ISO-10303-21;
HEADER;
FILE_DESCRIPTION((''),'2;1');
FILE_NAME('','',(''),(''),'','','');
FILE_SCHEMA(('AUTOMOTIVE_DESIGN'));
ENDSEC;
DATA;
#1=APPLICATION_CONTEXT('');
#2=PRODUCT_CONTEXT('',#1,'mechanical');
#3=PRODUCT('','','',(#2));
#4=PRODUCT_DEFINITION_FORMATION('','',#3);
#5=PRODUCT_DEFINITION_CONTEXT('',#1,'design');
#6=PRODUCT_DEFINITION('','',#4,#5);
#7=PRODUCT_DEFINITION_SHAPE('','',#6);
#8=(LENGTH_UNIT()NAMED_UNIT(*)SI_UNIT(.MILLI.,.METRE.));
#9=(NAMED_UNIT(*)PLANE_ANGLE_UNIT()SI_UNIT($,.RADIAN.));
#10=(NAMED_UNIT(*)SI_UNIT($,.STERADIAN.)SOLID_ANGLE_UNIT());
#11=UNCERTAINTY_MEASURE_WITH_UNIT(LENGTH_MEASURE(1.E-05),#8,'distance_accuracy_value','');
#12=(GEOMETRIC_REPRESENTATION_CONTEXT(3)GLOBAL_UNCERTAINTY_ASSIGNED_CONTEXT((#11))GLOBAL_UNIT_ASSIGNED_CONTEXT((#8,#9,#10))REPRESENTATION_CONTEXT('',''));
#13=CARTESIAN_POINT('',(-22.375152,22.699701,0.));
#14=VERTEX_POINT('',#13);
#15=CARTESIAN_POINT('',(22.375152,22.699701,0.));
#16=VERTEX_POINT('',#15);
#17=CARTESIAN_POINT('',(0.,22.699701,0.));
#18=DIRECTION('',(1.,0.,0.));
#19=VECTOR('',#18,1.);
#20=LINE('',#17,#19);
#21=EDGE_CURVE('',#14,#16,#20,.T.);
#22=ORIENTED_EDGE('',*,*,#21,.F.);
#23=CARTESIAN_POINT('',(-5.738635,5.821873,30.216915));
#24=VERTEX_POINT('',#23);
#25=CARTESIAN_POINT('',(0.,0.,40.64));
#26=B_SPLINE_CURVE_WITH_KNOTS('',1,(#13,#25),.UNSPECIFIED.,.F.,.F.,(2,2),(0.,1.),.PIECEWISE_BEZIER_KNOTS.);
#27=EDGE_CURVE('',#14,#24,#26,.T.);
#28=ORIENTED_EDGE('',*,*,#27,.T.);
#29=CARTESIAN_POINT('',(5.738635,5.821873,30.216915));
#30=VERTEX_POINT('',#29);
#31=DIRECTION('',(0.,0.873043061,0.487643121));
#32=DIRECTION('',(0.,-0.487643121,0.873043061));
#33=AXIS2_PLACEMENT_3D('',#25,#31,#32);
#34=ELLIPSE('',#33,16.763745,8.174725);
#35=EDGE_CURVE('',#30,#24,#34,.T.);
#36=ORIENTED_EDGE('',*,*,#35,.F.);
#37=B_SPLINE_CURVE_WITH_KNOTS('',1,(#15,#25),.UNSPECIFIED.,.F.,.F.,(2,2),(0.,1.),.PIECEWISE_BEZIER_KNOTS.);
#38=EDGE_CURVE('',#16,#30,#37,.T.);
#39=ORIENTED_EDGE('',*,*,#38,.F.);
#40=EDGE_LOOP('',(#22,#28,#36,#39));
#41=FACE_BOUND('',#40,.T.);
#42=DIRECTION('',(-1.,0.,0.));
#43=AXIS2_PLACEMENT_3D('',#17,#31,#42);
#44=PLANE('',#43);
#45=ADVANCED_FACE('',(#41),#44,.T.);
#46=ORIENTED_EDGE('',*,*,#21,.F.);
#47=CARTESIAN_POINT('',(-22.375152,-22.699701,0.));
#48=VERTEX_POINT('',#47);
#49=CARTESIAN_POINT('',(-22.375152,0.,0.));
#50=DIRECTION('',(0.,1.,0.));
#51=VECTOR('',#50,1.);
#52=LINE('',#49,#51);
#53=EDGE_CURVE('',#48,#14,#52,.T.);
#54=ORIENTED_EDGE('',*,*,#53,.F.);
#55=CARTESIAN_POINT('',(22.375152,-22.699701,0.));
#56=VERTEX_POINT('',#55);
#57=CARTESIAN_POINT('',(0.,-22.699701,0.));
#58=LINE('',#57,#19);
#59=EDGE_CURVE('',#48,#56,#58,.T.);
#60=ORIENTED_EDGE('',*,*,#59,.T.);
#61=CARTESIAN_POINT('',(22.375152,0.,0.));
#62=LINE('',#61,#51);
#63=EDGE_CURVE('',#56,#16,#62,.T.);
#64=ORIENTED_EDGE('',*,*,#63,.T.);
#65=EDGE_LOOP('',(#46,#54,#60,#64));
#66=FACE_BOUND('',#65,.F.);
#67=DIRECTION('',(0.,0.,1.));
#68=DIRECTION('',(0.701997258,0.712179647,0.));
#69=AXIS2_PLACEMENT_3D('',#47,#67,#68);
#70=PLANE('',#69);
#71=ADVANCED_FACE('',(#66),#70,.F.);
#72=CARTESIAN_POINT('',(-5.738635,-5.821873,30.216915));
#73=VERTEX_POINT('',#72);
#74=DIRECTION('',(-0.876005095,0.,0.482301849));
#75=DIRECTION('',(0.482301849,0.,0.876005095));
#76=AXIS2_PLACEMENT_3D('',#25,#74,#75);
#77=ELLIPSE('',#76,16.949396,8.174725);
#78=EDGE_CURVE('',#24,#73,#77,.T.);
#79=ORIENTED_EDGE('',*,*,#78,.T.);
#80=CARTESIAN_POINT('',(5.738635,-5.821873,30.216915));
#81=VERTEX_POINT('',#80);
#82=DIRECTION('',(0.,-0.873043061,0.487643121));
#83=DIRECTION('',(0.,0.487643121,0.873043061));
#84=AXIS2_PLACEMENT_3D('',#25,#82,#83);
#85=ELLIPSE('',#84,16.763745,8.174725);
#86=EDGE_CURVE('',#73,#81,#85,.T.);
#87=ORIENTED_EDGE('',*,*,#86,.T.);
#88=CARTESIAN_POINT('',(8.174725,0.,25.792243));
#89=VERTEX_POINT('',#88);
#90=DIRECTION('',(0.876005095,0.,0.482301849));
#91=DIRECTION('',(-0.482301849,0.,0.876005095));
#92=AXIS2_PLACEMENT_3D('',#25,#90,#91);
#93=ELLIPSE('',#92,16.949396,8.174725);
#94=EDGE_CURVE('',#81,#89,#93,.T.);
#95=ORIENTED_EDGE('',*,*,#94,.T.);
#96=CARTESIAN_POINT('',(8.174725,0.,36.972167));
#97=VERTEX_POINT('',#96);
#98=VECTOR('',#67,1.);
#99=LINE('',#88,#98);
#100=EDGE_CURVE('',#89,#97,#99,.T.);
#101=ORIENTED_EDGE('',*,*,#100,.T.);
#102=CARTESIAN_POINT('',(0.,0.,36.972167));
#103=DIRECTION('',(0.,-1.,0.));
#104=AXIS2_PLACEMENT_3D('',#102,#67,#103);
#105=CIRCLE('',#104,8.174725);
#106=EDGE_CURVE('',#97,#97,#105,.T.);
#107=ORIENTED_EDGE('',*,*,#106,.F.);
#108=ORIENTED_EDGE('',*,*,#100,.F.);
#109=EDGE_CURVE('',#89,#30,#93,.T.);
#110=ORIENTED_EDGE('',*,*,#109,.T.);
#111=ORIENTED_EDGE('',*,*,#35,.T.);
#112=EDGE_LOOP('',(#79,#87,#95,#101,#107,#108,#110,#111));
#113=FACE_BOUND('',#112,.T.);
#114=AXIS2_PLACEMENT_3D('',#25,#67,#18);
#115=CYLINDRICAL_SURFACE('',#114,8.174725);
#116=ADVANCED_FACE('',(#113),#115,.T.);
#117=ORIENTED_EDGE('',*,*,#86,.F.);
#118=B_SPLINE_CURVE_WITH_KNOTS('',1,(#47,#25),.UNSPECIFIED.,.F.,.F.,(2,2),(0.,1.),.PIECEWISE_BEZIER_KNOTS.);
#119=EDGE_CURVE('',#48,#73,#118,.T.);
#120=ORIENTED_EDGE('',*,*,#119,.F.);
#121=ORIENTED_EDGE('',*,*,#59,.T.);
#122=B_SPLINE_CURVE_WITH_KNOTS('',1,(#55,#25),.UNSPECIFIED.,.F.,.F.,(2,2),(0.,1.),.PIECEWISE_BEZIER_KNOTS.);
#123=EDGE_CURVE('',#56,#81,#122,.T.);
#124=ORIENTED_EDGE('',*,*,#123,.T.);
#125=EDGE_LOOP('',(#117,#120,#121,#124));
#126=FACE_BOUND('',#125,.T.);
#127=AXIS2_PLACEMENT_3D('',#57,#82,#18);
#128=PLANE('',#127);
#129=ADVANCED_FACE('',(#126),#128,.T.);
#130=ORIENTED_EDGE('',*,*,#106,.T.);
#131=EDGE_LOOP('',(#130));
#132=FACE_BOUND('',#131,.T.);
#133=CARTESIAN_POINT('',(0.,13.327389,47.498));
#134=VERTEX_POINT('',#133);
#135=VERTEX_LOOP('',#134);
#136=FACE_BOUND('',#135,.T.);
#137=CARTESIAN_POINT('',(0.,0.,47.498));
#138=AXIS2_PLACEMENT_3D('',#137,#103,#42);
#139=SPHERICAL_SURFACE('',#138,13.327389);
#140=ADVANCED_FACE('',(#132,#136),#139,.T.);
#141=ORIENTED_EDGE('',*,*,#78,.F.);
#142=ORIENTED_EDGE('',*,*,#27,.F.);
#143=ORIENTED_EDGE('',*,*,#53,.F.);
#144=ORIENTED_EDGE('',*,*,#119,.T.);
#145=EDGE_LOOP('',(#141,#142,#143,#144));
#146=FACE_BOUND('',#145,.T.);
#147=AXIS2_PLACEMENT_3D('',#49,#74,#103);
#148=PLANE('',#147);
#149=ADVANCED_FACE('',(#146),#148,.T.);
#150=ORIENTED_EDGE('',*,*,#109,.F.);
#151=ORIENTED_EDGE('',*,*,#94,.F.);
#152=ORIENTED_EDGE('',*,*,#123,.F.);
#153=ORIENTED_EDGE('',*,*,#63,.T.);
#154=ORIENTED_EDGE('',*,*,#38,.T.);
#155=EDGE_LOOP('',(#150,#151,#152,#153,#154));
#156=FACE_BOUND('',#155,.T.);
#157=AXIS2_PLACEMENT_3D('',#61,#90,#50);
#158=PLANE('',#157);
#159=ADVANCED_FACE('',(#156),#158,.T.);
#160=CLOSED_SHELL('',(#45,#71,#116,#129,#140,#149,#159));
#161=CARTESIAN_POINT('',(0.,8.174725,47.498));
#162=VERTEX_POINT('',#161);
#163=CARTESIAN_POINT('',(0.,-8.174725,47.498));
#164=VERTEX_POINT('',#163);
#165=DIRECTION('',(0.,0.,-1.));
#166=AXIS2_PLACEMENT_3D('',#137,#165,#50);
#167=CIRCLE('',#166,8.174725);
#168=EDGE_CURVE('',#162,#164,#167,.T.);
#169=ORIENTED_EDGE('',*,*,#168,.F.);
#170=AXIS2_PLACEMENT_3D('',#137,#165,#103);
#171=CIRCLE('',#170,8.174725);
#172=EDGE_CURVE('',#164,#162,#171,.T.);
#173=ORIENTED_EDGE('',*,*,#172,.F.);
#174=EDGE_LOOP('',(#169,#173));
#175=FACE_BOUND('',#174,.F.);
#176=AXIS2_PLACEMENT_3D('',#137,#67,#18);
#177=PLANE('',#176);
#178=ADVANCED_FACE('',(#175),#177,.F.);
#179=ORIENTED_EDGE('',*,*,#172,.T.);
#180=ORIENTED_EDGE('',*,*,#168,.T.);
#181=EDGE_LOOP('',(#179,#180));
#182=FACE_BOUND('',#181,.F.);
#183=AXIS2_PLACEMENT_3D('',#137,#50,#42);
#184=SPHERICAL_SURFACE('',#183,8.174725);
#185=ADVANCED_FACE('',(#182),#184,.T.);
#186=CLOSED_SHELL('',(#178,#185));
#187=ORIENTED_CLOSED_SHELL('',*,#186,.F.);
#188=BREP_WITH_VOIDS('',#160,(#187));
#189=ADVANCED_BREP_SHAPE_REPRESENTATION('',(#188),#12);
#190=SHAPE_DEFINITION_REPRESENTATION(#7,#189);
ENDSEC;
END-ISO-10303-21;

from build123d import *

# Parameters (mm, degrees)
F1_W          = 44.750304
F1_H          = 45.399402
F2_R          = 8.174725
F4_DEPTH      = 6.858
F4_DEPTH_BACK = 30.48


with BuildPart() as f3:
    # F1 (on Top) → F3 section 0
    with BuildSketch(Plane.XY, mode=Mode.PRIVATE) as f3_s0:
        Rectangle(F1_W, F1_H)
    loft([f3_s0.sketch, Vertex(0, 0, 40.64)])

    # F2 (on offset) → F4 (join, two sides)
    with BuildSketch(Plane.XY.offset(40.64)) as f4_sk:
        Circle(F2_R)
    extrude(amount=F4_DEPTH)
    extrude(f4_sk.sketch, amount=-F4_DEPTH_BACK)

    # F5 (on face) → F6 (revolve)
    with BuildSketch(Plane.XY.offset(47.498)):
        with BuildLine():
            Line((0, 8.174725), (0, 13.327389))
            ThreePointArc((0, 13.327389), (-13.327389, 0), (0, -13.327389))
            Line((0, -13.327389), (0, -8.174725))
            ThreePointArc((0, -8.174725), (-8.174725, 0), (0, 8.174725))
        make_face()
    revolve(axis=Axis((0, 0, 47.498), (0, -1, 0)))


solid = f3.part
